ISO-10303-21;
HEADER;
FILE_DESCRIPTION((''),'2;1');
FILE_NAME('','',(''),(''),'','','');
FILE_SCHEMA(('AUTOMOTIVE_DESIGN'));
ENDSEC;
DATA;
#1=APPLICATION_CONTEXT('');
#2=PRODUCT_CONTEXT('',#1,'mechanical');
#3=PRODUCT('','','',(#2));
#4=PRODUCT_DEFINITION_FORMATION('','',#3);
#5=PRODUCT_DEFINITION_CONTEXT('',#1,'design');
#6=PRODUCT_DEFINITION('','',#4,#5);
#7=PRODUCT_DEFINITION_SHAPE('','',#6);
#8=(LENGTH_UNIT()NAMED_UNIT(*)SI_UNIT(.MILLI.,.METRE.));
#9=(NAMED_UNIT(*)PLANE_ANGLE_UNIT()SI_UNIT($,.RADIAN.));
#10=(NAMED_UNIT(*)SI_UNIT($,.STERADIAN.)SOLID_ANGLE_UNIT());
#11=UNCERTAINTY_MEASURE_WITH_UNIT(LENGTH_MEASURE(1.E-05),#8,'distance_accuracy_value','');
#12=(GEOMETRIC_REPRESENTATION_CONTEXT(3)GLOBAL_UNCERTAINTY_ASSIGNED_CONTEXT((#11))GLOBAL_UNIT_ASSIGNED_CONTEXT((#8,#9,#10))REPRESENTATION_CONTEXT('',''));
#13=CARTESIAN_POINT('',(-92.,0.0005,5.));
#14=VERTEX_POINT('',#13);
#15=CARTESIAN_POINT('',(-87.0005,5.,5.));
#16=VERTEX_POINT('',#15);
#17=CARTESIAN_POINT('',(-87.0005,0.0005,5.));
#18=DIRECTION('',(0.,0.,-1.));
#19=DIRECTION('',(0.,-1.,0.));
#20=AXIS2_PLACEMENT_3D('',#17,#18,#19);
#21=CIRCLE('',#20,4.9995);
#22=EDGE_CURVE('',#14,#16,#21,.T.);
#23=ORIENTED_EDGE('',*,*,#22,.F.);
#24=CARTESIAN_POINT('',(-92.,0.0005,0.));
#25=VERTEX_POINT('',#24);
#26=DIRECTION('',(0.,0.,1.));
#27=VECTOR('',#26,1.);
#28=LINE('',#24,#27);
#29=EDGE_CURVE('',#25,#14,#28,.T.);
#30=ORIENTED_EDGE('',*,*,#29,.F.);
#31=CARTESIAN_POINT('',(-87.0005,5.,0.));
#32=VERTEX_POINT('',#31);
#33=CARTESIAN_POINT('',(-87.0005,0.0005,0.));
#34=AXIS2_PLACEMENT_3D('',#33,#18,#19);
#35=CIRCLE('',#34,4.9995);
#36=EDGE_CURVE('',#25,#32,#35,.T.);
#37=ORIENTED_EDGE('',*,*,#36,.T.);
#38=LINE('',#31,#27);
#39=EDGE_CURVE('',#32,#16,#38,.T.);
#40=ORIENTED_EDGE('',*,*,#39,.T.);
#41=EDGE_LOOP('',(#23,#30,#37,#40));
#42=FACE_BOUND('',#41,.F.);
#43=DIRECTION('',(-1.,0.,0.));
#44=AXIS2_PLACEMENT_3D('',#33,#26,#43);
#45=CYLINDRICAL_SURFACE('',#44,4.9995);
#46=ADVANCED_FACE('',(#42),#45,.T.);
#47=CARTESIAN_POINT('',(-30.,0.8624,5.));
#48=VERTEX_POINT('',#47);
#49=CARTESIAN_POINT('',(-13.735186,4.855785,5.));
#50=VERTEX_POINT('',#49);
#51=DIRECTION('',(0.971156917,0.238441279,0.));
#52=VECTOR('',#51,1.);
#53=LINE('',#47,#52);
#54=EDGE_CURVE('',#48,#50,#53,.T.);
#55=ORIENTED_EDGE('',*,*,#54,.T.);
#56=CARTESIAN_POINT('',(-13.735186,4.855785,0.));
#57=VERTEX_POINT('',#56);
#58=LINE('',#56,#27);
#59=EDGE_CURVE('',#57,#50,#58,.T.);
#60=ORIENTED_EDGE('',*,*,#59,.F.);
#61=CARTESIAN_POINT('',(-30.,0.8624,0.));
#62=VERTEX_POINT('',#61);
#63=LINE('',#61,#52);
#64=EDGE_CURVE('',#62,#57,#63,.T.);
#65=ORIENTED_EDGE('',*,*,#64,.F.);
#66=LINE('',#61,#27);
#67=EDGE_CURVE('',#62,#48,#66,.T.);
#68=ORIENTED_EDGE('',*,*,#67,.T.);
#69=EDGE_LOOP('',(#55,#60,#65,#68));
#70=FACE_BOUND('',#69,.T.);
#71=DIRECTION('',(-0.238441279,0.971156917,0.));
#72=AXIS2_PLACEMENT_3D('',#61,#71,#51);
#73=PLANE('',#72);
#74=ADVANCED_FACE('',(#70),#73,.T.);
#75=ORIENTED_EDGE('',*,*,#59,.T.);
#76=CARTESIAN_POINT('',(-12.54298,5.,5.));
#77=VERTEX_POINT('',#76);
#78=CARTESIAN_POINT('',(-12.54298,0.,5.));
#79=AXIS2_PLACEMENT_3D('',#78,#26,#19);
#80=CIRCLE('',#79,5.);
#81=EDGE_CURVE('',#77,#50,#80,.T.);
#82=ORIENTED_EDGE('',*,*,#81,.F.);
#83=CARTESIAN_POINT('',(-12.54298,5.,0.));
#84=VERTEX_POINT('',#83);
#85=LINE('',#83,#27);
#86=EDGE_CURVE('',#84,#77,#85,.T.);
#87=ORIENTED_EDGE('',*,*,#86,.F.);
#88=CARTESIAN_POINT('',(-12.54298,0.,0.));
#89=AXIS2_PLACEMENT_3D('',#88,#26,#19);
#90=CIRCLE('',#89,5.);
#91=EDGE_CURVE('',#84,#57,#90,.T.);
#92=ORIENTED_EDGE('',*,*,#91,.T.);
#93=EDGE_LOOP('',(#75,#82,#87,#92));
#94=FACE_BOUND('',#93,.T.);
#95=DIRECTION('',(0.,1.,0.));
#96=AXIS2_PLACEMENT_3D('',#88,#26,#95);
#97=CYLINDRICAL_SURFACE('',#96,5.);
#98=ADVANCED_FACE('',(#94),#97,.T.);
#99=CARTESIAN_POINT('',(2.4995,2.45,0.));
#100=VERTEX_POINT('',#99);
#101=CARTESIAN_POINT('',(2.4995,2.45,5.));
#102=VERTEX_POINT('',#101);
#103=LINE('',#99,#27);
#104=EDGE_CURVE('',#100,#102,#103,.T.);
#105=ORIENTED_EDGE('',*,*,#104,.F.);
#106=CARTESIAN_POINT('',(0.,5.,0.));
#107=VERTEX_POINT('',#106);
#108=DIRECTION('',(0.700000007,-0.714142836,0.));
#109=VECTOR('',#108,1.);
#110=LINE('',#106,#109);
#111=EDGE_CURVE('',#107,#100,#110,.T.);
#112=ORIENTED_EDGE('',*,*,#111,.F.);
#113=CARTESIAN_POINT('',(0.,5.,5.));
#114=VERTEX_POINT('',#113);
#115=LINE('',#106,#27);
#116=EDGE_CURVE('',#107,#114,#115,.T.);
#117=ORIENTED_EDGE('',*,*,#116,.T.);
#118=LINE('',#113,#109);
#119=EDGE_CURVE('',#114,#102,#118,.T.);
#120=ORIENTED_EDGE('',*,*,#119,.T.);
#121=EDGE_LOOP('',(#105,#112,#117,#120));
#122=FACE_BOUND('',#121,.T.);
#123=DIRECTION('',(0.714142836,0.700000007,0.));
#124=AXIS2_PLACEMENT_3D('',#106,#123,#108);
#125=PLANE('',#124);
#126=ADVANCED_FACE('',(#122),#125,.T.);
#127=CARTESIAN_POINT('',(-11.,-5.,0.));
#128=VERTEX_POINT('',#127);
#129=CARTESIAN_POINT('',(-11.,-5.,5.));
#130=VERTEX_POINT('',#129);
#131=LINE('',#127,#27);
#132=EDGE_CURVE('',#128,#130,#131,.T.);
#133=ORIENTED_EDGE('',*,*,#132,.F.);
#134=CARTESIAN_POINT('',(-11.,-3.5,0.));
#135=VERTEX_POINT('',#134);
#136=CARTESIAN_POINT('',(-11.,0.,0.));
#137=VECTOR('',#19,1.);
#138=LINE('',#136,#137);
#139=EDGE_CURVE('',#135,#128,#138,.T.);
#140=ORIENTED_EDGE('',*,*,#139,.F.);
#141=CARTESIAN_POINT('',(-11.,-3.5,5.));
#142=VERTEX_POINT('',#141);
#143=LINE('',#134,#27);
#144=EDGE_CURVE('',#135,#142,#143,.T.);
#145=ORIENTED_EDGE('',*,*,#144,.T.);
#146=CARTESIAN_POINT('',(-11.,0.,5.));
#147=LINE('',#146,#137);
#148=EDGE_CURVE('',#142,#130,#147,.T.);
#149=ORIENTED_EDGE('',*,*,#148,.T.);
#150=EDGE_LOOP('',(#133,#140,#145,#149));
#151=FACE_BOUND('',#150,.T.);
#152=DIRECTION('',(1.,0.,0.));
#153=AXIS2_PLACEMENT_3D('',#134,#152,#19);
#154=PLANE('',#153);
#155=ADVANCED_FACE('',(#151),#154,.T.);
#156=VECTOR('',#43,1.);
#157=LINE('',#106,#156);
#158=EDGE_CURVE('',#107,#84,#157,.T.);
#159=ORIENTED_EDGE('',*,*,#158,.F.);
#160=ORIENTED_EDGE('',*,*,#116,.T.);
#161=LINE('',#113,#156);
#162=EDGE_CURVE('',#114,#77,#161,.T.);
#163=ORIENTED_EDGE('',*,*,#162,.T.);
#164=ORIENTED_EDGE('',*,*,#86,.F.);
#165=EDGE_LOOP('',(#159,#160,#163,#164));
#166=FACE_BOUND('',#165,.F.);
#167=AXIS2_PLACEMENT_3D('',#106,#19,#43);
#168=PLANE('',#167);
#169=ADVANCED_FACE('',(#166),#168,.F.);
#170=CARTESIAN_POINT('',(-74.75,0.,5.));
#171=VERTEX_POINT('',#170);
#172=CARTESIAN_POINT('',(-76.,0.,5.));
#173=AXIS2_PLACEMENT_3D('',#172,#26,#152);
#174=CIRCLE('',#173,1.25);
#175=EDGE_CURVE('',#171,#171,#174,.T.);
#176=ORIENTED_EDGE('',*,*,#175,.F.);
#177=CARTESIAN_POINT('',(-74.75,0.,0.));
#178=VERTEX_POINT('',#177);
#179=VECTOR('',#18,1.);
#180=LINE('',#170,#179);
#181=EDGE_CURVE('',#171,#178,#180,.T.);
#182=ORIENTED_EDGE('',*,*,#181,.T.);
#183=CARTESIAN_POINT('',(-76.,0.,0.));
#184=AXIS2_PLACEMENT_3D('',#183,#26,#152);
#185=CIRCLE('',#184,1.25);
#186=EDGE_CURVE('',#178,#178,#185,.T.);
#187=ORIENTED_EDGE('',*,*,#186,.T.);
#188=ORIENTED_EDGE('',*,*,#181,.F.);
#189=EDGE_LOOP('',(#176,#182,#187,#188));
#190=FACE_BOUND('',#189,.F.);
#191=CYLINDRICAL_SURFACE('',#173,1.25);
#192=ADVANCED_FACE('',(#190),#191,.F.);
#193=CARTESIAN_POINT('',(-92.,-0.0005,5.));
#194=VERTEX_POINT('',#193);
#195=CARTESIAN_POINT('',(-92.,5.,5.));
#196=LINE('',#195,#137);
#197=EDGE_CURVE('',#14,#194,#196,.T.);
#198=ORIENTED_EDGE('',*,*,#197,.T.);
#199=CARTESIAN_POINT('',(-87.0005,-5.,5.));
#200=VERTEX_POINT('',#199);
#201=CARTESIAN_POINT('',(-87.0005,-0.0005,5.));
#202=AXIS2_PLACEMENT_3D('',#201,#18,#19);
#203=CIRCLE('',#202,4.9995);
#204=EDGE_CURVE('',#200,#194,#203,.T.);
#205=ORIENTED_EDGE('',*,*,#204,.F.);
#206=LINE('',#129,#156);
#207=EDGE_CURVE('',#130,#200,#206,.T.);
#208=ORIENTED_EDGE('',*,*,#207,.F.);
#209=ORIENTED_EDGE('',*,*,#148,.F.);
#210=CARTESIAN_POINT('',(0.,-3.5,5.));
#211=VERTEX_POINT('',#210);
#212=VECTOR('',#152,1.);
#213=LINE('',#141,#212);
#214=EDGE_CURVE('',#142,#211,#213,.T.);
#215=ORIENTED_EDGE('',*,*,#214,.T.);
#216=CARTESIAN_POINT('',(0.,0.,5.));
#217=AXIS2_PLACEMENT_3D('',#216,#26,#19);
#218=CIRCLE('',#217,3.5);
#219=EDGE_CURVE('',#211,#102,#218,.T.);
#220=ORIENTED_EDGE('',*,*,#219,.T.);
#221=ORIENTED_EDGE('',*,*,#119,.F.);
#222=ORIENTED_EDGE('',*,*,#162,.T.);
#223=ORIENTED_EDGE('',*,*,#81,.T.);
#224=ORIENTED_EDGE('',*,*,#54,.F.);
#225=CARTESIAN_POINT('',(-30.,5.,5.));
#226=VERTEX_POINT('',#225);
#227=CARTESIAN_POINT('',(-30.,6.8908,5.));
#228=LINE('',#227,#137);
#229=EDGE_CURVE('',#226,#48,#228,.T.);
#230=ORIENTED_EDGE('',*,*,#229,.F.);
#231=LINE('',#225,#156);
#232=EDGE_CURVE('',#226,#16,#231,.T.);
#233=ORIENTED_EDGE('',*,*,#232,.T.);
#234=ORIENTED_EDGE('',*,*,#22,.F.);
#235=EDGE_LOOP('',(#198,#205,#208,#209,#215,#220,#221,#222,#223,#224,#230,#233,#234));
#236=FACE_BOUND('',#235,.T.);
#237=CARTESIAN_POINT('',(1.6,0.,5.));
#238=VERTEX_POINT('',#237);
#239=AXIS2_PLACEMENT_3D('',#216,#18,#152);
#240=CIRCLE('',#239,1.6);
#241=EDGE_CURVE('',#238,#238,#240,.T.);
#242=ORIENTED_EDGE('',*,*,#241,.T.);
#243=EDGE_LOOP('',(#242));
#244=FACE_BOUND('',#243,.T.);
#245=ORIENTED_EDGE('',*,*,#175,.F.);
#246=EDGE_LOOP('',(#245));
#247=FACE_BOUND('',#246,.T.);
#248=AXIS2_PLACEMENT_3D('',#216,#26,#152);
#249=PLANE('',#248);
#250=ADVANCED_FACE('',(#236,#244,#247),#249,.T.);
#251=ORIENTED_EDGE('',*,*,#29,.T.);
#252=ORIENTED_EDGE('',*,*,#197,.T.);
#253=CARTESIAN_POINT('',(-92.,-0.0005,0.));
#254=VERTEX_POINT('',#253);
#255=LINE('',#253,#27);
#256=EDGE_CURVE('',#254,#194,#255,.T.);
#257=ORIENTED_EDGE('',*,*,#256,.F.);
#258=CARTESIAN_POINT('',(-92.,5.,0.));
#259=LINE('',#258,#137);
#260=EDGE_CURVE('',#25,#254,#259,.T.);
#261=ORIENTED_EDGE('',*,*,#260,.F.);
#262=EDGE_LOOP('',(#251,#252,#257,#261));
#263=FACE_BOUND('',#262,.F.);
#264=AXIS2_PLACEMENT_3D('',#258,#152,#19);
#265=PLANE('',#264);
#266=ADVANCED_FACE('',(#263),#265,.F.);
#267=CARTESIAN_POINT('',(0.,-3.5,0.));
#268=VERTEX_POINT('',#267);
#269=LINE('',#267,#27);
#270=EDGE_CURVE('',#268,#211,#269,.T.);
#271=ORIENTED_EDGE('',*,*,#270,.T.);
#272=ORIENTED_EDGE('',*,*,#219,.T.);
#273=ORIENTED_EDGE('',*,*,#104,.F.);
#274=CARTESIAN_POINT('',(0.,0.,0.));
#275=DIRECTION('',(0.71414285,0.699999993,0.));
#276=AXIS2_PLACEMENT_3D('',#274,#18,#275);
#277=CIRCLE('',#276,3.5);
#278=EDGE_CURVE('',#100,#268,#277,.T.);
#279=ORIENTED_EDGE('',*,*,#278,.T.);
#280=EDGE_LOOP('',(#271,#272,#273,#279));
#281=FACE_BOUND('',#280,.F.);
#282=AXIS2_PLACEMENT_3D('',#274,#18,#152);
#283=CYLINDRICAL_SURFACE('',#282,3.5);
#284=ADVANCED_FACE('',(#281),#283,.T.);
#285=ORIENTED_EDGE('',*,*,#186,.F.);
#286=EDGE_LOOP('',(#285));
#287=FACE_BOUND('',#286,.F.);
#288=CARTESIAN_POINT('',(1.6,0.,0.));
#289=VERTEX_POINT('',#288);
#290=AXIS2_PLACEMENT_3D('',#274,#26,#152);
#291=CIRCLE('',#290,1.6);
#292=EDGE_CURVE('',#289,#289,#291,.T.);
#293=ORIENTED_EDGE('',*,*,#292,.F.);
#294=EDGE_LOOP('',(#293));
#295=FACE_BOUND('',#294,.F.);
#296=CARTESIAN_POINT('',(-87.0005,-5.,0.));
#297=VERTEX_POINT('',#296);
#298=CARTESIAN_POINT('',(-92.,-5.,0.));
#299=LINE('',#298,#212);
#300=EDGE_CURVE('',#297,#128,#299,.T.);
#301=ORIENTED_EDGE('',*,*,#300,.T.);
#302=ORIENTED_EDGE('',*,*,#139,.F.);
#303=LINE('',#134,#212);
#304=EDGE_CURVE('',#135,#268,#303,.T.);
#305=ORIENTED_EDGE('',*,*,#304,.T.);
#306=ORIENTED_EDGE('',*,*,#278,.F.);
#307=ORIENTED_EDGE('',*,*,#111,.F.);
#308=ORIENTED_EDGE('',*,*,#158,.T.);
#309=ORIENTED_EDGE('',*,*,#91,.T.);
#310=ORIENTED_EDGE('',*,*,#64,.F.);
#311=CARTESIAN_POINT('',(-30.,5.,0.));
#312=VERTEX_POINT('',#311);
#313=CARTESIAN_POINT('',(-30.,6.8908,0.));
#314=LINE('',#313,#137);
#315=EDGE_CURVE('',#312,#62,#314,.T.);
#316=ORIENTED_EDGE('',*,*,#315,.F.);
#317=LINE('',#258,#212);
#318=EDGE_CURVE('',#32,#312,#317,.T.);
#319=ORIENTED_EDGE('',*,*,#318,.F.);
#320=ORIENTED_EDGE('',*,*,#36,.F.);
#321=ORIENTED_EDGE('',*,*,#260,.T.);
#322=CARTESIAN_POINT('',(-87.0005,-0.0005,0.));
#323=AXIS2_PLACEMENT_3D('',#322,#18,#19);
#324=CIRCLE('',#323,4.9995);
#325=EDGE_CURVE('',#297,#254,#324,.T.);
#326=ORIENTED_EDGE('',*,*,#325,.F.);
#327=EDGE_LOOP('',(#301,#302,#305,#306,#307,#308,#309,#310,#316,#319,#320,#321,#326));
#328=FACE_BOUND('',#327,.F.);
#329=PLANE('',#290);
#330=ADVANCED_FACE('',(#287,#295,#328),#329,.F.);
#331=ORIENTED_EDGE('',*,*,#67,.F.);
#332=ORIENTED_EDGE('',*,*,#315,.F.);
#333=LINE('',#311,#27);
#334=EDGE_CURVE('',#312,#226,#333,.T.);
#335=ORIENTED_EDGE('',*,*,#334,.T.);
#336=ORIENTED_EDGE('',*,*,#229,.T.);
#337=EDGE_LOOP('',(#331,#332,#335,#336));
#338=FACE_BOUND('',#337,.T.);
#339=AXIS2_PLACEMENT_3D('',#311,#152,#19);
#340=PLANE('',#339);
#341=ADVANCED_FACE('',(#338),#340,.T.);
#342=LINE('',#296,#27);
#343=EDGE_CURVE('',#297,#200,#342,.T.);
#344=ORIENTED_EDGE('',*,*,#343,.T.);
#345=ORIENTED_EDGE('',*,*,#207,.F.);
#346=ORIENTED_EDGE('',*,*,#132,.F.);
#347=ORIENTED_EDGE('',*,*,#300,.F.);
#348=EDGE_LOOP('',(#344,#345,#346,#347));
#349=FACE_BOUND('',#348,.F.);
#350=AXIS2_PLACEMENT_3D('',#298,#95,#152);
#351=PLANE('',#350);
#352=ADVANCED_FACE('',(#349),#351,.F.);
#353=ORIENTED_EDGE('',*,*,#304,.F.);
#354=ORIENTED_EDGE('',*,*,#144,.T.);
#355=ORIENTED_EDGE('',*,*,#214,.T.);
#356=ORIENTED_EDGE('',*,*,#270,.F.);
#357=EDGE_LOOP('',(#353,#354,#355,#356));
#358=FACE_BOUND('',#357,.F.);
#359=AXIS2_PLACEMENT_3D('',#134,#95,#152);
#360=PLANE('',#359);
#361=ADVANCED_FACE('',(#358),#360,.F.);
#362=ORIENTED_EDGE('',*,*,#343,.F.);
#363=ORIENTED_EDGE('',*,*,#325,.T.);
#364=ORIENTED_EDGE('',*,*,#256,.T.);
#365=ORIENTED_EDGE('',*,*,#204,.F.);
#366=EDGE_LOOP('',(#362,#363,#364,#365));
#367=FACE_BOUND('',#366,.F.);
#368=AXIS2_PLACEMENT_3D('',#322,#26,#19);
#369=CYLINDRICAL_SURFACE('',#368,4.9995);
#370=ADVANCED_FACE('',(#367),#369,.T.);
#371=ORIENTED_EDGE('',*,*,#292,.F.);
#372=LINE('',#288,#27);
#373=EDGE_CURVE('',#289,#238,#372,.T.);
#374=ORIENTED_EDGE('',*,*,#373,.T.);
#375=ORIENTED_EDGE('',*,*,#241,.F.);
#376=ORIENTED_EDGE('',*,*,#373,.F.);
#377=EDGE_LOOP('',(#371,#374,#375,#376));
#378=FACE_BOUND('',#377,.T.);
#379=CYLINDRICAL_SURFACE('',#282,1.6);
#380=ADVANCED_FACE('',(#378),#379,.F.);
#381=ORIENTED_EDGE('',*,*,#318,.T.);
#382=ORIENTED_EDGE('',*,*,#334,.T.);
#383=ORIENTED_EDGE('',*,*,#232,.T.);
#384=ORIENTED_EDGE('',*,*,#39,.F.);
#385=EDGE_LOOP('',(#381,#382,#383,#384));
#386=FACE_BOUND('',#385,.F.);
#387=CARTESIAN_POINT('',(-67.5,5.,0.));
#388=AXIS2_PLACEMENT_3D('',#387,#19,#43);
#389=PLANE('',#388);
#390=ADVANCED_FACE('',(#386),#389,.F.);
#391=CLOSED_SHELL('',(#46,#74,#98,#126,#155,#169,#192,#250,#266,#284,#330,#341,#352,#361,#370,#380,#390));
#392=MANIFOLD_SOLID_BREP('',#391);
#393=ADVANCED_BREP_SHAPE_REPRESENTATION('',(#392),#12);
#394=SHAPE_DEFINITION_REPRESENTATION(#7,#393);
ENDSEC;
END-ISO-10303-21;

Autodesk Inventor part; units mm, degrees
ref_plane "YZ Plane" through (0, 0, 0) normal (1, 0, 0) x (0, 1, 0)
ref_plane "XZ Plane" through (0, 0, 0) normal (0, 1, 0) x (-1, 0, 0)
ref_plane "XY Plane" through (0, 0, 0) normal (0, 0, 1) x (1, 0, 0)
sketch "スケッチ1" plane through (0, 0, 0) normal (0, 0, 1) x (1, 0, 0)
  line L0 (0, 0) -> (-92, 0) construction
  line L1 (0, 5) -> (-92, 5)
  line L2 (-92, -5) -> (0, -5)
  arc A0 (0, -5) -> (0, 5) centre (0, 0) ccw
  circle A1 centre (0, 0) radius 1.6
  line L3 (-29.5, 1.5) -> (-29.5, 6.5)
  line L4 (-29.5, 1.5) -> (17.5, 13.0396)
  line L5 (17.5, 13.0396) -> (17.5, 18.1985)
  line L6 (17.5, 18.1985) -> (-29.5, 6.5)
  circle A2 centre (0, 15) radius 1.5
  line L7 (0, 15) -> (0, 0)
  circle A3 centre (0, 15) radius 2.5
  circle A4 centre (15, 15) radius 2.5
  circle A5 centre (15, 15) radius 1.5
  line L8 (-30, 6.8908) -> (-30, 0.8624)
  line L9 (-30, 0.8624) -> (18, 12.6475)
  line L10 (18, 12.6475) -> (18, 18.8382)
  line L11 (18, 18.8382) -> (-30, 6.8908)
  line L12 (-92, 5) -> (-92, -5)
  line L13 (0, 0) -> (-11, 0)
  line L14 (-11, 0) -> (-11, -3.5)
  line L15 (-11, 0) -> (-7.5, 0) construction
  line L16 (-11, -3.5) -> (0, -3.5)
  circle A6 centre (0, 0) radius 3.5
  line L17 (0, 5) -> (2.4995, 2.45)
  line L18 (-11, 0) -> (-11, -5)
  line L19 (15, 15) -> (15, 15)
  circle A7 centre (15, 15) radius 1.5
  circle A8 centre (15, 15) radius 2.5
  line L20 (-67.5, 5) -> (-67.5, -5)
  point P0 (-15.2447, 5)
  point P1 (-29.5, 5)
  point P2 (0, 12.5)
  point P3 (0.6029, 12.5738)
  point P4 (0, 8.7429)
  point P5 (2.4387, 14.4497)
  point P6 (-1.8962, 13.3707)
  point P7 (-13.1477, 5)
  point P8 (-30, 5)
  point P9 (-11, -4.9654)
  dimension "d14" = 10
  dimension "d1" = 92
  dimension "d2" = 3.2
  dimension "d3" = 5
  dimension "d4" = 3
  dimension "d5" = 15
  dimension "d6" = 1
  dimension "d11" = 15
  dimension "d16" = 0.5
  dimension "d24" = 5
  dimension "d25" = 11
  dimension "d26" = 90
  dimension "d27" = 7
  dimension "d30" = 0
  dimension "d31" = 3
  dimension "d32" = 1
  dimension "d33" = 62
  dimension "d34" = 37.5
  dimension "d46" = 92
  dimension "d47" = 3.5
extrude "押し出し1" add sketch "スケッチ1" along normal blind 5 contours L20 L2 L12 L1 | L1 L8 L9 L7 A6 L13 L14 L18 L2 L20 | L14 L13 A6 L16 | L17 A6 L7 | A6 L13 A1 L7 | L7 A1 L13 A6
fillet "フィレット1" radius 5 2 edges at (-92, 5, 2.5) (-92, -5, 2.5)
fillet "フィレット2" radius 5 1 edges at (-13.1477, 5, 2.5)
sketch "スケッチ3" plane through (0, 0, 5) normal (0, 0, 1) x (1, 0, 0)
  arc A0 (-12.5429, 5) -> (-13.7351, 4.8558) centre (-12.5429, 0) ccw projected
  line L0 (-13.7351, 4.8558) -> (-30, 0.8624) projected
  line L1 (-30, 0.8624) -> (-30, 5) projected
  line L2 (-30, 5) -> (-87, 5) projected
  arc A1 (-87, 5) -> (-87, -5) centre (-87, 0) ccw projected
  line L3 (-87, -5) -> (-11, -5) projected
  line L4 (-11, -5) -> (-11, -3.5) projected
  line L5 (-11, -3.5) -> (0, -3.5) projected
  arc A2 (0, -3.5) -> (2.4995, 2.45) centre (0, 0) ccw projected
  line L6 (2.4995, 2.45) -> (0, 5) projected
  line L7 (0, 5) -> (-12.5429, 5) projected
  circle A3 centre (0, 0) radius 1.6 projected
  circle A4 centre (-76, 0) radius 1.25
  dimension "d49" = 2.5
  dimension "d50" = 11
extrude "押し出し3" cut sketch "スケッチ3" against normal blind 10 contours A4
thread "ねじ3" size "M3x0.5" class "6H" standard "ANSI Metric M Profile" full length
properties part number "カウンター" material "ポリカーボネート、スモーク"
